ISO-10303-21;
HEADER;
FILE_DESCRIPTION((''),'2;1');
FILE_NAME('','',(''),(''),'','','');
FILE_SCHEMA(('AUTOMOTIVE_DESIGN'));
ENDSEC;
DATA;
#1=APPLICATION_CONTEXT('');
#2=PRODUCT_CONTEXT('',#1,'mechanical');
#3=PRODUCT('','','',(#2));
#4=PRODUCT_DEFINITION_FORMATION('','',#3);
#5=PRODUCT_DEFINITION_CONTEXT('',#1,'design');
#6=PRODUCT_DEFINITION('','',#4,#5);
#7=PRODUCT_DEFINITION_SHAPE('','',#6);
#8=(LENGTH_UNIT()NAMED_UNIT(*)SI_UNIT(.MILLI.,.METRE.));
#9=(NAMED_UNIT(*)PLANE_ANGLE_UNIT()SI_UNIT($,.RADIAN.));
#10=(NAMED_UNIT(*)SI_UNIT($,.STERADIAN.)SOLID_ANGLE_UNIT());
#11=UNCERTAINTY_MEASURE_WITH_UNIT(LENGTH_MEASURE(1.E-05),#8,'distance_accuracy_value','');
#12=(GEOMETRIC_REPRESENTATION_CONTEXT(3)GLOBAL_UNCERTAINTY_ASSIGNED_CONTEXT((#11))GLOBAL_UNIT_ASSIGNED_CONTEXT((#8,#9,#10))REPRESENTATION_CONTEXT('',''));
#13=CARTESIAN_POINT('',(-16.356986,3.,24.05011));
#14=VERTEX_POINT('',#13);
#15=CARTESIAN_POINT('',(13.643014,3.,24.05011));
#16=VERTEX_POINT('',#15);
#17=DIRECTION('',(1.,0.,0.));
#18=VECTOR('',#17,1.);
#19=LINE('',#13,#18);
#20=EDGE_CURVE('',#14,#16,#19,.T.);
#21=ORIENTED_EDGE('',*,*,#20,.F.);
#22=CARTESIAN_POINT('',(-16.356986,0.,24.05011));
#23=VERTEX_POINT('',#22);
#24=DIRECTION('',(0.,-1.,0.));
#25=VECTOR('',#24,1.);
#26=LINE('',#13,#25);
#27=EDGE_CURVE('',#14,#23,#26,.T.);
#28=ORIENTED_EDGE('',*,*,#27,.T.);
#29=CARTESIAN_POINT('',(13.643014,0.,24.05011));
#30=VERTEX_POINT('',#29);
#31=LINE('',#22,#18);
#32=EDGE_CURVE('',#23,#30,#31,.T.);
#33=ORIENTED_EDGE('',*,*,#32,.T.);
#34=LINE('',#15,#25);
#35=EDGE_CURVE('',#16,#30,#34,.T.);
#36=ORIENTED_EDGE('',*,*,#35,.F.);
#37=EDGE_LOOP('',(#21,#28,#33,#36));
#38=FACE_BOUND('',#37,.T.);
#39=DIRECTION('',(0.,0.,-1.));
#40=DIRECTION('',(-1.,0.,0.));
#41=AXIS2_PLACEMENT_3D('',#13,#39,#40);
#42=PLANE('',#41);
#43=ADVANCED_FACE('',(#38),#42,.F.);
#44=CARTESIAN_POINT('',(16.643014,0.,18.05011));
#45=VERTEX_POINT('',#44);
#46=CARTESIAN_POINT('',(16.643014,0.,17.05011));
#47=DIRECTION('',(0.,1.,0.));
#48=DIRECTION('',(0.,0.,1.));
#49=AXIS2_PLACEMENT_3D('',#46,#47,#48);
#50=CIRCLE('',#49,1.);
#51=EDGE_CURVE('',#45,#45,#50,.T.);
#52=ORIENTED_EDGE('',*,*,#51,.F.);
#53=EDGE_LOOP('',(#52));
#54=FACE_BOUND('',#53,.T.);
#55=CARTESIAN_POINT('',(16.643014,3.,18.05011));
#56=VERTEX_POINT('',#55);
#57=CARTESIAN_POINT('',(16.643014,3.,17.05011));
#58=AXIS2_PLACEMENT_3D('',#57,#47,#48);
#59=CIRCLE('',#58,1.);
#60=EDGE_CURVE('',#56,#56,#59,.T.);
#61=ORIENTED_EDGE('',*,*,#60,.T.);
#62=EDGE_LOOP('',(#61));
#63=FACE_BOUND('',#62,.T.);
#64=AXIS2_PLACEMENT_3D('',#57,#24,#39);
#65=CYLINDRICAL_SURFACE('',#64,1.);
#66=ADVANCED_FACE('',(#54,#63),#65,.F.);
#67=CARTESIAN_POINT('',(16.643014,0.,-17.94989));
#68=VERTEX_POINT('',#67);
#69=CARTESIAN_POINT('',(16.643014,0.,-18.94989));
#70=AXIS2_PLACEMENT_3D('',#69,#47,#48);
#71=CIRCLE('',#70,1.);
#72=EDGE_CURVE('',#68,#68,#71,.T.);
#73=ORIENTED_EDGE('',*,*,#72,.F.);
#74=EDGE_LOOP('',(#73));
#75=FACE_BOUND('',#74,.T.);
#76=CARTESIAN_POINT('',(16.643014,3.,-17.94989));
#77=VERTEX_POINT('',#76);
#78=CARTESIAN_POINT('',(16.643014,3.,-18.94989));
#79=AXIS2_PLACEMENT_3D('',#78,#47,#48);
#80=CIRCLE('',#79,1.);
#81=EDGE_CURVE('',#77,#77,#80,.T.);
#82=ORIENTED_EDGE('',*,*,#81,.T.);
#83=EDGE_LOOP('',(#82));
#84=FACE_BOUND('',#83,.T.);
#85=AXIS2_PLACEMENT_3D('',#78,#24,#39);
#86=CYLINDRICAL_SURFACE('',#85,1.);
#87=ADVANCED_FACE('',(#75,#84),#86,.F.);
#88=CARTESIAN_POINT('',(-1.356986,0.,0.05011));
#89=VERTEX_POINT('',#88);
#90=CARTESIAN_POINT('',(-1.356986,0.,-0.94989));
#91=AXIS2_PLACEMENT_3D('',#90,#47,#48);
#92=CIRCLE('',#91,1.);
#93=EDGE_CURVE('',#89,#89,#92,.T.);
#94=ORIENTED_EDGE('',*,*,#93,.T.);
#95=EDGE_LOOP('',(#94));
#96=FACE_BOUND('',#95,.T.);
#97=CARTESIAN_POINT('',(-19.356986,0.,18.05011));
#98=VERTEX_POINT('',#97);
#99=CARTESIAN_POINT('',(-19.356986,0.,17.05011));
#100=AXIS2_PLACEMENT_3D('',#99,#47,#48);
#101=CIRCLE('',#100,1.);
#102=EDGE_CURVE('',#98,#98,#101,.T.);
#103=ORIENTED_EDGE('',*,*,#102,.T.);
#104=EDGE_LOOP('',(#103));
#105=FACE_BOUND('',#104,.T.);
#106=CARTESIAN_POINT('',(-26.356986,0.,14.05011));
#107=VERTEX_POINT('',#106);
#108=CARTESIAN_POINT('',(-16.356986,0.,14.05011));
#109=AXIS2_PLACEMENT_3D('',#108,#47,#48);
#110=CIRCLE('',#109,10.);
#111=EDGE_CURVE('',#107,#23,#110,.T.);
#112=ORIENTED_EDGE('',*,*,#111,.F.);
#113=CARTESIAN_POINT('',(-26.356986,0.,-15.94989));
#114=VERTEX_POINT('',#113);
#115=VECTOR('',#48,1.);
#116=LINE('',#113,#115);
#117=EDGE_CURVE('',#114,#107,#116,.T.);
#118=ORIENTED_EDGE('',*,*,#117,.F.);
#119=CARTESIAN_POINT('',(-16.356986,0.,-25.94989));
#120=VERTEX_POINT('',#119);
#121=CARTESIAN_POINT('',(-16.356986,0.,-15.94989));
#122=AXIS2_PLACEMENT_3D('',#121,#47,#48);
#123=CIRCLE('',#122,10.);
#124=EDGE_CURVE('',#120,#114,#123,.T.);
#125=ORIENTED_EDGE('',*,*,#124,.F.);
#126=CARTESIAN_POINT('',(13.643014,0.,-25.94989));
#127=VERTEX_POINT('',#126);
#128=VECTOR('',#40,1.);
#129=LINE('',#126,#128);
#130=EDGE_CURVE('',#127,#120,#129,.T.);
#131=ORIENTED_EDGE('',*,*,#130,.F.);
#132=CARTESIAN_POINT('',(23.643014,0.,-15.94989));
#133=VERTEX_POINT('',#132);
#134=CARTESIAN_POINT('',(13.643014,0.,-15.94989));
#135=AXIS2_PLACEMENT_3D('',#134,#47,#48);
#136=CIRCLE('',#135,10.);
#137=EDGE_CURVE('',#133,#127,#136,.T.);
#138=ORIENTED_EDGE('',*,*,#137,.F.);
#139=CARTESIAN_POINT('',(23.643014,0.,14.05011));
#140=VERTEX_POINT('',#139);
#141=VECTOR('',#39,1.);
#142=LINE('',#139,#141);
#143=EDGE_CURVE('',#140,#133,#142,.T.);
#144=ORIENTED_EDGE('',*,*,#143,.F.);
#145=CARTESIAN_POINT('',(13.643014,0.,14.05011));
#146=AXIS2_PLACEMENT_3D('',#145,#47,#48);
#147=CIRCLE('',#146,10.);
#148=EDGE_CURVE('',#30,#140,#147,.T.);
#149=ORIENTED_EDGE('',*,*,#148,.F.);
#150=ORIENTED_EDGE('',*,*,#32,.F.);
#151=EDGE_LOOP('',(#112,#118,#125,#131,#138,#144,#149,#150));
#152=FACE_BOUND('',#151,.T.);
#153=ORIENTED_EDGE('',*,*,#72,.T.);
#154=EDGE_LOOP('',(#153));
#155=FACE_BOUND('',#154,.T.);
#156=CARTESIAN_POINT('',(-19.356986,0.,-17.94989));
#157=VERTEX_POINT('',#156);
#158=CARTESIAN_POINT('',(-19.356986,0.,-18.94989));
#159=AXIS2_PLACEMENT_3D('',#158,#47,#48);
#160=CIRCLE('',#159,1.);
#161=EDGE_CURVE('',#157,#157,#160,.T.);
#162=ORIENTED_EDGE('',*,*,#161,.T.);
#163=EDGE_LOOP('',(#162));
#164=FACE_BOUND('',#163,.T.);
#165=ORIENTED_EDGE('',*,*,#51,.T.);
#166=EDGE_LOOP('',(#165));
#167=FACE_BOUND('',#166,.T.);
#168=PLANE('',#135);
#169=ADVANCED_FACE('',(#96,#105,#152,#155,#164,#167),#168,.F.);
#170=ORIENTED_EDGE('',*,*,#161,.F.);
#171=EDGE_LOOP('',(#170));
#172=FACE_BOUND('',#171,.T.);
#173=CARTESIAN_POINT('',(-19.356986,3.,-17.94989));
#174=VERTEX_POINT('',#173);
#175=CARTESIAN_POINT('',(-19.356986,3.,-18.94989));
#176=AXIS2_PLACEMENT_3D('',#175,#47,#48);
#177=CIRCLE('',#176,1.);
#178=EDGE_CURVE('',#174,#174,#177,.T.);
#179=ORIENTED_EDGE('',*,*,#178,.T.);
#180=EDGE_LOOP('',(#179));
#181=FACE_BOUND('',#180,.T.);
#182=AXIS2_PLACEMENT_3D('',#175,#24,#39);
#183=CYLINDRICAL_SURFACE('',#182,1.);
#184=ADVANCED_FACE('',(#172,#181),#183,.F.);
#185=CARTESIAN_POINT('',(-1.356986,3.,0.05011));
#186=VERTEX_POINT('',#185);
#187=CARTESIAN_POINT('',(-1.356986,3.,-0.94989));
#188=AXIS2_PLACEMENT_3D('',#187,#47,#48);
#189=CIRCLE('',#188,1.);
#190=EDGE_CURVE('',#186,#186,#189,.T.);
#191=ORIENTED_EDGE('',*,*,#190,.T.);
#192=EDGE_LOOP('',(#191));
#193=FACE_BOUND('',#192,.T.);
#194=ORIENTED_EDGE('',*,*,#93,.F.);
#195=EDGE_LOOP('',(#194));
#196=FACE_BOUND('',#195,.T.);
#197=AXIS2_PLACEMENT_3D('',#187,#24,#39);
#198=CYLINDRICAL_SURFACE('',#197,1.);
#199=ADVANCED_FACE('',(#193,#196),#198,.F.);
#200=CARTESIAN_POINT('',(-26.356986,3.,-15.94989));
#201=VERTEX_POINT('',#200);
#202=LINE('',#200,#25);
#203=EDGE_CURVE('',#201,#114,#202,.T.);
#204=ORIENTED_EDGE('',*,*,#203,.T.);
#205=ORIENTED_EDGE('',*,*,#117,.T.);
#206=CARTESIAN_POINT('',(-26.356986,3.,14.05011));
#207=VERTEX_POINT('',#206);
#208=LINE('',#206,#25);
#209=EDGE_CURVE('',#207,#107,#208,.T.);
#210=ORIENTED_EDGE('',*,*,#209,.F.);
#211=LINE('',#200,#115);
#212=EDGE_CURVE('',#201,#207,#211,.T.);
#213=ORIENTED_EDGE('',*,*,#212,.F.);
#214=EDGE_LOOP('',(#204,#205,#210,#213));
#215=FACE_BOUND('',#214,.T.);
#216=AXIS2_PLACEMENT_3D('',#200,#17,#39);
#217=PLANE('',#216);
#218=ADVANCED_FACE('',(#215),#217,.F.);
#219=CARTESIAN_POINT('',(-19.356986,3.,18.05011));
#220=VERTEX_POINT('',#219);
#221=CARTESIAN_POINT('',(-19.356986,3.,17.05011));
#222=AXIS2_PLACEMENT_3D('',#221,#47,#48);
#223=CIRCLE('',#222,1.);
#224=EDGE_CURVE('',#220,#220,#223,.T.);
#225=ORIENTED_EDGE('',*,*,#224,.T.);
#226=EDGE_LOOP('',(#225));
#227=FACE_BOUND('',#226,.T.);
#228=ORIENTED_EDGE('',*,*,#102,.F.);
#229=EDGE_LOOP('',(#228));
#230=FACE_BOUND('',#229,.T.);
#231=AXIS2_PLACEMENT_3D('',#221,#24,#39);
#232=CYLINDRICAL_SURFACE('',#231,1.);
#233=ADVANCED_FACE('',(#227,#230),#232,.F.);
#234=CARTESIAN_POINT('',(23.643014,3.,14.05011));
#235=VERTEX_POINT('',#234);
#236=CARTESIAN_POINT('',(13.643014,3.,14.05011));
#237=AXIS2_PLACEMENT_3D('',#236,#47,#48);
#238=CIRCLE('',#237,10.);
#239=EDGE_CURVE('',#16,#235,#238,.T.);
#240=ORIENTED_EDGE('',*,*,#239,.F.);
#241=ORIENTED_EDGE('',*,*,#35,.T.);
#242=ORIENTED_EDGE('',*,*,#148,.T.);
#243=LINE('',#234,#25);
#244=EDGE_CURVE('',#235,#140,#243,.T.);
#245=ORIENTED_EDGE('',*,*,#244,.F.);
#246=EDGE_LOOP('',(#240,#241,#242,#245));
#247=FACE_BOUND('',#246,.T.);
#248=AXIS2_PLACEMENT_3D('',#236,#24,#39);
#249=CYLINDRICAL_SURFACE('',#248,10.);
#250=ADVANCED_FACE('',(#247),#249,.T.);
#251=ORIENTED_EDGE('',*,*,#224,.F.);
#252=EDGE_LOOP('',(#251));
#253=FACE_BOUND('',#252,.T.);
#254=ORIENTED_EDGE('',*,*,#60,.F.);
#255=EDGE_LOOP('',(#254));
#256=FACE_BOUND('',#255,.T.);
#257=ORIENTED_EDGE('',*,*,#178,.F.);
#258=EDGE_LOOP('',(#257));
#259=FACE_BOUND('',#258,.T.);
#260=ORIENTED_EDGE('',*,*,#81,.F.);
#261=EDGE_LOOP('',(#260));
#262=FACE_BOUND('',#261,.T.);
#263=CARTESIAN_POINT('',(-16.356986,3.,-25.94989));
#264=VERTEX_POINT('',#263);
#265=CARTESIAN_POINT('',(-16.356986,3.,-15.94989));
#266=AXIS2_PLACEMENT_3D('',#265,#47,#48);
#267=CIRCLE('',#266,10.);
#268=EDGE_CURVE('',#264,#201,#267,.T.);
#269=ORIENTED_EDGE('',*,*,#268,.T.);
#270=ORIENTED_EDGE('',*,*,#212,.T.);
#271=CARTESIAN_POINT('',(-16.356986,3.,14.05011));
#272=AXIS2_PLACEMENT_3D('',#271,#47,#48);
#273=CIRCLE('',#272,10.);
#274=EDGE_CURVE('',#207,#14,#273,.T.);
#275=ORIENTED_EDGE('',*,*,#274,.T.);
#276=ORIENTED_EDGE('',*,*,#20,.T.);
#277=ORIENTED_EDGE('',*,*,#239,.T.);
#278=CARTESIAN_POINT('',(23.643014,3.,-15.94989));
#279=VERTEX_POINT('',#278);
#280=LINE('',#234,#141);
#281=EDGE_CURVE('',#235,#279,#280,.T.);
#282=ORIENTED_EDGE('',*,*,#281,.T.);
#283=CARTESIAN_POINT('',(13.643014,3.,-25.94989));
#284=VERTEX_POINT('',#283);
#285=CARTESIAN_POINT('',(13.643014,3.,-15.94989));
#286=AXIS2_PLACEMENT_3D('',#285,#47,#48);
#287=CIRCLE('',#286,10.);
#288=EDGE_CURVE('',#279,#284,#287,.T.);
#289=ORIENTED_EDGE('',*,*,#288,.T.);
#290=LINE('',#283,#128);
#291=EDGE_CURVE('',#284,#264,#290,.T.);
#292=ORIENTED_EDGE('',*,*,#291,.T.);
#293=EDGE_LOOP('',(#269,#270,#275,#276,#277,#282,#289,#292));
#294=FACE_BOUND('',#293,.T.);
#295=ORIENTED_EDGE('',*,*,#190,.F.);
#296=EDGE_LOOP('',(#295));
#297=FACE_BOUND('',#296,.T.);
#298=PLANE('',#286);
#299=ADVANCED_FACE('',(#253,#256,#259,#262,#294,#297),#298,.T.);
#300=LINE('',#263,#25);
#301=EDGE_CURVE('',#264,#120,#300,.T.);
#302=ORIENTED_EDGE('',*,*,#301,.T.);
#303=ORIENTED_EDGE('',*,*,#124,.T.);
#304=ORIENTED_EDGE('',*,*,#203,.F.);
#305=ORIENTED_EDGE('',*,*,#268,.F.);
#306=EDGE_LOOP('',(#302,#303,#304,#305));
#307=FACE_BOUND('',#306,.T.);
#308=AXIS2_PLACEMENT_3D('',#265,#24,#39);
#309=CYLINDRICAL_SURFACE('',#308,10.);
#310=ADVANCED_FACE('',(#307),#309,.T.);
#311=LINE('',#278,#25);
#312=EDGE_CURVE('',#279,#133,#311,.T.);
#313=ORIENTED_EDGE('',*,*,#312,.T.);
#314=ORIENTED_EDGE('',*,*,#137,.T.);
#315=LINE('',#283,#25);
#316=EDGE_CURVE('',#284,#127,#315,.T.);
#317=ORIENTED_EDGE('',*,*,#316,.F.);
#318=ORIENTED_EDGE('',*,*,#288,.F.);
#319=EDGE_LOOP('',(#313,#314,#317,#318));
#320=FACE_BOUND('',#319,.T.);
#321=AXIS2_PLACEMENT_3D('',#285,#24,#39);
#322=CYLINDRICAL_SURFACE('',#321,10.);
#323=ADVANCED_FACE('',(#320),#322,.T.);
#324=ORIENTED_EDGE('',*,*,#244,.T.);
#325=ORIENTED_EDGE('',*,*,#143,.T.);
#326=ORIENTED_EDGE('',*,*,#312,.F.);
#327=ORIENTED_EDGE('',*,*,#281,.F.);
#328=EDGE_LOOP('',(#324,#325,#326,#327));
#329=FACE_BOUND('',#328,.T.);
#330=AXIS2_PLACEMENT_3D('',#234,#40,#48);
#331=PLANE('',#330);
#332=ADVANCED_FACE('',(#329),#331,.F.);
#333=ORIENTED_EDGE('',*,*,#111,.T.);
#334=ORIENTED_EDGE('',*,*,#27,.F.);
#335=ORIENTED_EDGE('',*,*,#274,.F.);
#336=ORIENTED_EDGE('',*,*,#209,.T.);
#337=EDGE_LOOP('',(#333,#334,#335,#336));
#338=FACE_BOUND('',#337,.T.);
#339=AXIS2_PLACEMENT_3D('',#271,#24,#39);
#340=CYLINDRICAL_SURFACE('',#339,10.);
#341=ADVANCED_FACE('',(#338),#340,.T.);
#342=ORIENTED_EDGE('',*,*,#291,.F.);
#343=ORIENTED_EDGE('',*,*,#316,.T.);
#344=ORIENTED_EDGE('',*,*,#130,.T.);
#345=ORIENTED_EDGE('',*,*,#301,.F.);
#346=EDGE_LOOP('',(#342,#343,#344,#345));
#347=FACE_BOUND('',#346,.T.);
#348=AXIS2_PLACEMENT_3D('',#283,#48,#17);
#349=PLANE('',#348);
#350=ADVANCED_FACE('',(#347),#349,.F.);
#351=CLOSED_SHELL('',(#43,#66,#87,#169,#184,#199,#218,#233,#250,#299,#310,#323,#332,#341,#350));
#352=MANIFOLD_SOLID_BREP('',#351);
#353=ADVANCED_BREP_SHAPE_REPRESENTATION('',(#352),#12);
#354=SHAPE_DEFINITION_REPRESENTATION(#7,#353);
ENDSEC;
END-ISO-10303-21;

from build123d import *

# Parameters (mm, degrees)
SKETCH_4_R      = 1
EXTRUDE_1_DEPTH = 3


with BuildPart() as part:
    # ｽｹｯﾁ4 → ﾎﾞｽ - 押し出し1 (new body)
    with BuildSketch(Plane(origin=(0, 0, 0), x_dir=(1, 0, 0), z_dir=(0, 1, 0))):
        with BuildLine():
            Line((13.643014387, 25.949889929), (-16.356985613, 25.949889929))
            ThreePointArc((-16.356985613, 25.949889929), (-23.428053425, 23.020957741), (-26.356985613, 15.949889929))
            Line((-26.356985613, 15.949889929), (-26.356985613, -14.050110071))
            ThreePointArc((-26.356985613, -14.050110071), (-23.428053425, -21.121177883), (-16.356985613, -24.050110071))
            Line((-16.356985613, -24.050110071), (13.643014387, -24.050110071))
            ThreePointArc((13.643014387, -24.050110071), (20.714082199, -21.121177883), (23.643014387, -14.050110071))
            Line((23.643014387, -14.050110071), (23.643014387, 15.949889929))
            ThreePointArc((23.643014387, 15.949889929), (20.714082199, 23.020957741), (13.643014387, 25.949889929))
        make_face()
        with Locations(Location((16.643014387, -17.050110071, 0), (0, 0, 270))):
            Circle(SKETCH_4_R, mode=Mode.SUBTRACT)
        with Locations(Location((16.643014387, 18.949889929, 0), (0, 0, 270))):
            Circle(SKETCH_4_R, mode=Mode.SUBTRACT)
        with Locations(Location((-19.356985613, 18.949889929, 0), (0, 0, 270))):
            Circle(SKETCH_4_R, mode=Mode.SUBTRACT)
        with Locations(Location((-19.356985613, -17.050110071, 0), (0, 0, 270))):
            Circle(SKETCH_4_R, mode=Mode.SUBTRACT)
        with Locations(Location((-1.356985613, 0.949889929, 0), (0, 0, 270))):
            Circle(SKETCH_4_R, mode=Mode.SUBTRACT)
    extrude(amount=EXTRUDE_1_DEPTH)


solid = part.part
